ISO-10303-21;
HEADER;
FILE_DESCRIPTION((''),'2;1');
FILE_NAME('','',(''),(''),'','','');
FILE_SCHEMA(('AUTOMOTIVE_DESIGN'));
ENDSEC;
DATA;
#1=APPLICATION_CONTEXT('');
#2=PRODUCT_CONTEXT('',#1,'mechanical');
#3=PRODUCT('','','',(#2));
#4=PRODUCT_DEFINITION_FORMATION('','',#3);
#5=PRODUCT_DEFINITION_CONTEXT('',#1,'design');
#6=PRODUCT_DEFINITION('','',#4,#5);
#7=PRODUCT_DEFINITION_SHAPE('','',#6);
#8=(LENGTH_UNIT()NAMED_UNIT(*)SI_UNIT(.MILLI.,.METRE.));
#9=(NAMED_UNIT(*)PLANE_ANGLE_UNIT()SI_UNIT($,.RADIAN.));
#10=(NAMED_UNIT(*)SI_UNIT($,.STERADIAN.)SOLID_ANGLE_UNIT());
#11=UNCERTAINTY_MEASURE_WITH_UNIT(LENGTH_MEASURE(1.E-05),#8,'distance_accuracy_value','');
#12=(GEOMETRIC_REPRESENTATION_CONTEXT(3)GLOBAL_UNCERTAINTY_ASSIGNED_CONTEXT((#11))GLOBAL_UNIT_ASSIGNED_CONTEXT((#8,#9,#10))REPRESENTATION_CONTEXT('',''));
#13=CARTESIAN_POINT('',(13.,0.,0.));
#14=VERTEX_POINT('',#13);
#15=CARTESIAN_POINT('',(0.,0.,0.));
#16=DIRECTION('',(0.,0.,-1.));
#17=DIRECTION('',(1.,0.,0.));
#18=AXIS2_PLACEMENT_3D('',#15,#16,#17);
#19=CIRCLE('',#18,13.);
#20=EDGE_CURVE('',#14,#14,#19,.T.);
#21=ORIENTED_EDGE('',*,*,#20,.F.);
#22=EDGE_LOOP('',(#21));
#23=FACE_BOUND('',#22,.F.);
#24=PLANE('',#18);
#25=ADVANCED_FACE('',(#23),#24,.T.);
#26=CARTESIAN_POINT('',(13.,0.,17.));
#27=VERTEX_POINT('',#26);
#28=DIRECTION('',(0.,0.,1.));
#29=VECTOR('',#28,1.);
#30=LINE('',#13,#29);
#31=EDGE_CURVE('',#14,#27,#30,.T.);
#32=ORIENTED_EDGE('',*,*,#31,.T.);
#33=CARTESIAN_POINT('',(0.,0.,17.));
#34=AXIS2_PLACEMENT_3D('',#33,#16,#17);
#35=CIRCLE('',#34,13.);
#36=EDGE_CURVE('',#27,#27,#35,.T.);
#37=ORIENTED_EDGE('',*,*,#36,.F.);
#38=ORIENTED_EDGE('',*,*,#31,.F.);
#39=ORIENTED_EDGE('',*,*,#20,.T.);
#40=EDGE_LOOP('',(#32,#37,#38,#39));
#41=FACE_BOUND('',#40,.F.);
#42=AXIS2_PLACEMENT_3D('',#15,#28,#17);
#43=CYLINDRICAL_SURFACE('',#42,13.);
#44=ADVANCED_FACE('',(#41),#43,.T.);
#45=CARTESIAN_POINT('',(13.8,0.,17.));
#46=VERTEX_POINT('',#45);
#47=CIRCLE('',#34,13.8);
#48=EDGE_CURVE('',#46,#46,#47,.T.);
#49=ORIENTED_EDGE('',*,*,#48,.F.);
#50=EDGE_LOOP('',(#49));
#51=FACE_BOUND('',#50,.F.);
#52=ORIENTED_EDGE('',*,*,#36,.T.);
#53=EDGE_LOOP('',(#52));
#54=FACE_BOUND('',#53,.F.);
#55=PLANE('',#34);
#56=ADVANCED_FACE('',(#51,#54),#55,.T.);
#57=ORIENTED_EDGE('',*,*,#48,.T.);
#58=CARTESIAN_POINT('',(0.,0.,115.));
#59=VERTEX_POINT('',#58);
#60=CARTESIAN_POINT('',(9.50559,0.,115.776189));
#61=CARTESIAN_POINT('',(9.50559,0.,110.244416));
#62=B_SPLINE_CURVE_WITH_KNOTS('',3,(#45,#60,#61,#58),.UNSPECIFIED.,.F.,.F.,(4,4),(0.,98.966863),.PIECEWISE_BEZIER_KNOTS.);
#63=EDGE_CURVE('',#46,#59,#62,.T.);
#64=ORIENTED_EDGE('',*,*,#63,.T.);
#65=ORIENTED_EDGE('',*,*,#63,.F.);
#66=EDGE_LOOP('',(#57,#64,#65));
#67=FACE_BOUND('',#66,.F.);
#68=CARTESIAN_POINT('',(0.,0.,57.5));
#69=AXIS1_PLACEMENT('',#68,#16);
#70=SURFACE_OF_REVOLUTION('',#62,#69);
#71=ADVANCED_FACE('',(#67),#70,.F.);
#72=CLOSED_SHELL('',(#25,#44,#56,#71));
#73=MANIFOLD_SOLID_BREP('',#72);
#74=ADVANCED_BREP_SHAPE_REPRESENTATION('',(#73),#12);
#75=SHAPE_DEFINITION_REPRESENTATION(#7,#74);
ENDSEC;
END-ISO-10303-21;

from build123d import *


with BuildPart() as f1:
    # F0 (on Front) → F1 (revolve)
    with BuildSketch(Plane.XZ):
        with BuildLine():
            Line((0, 115), (0, 0))
            Line((0, 0), (13, 0))
            Line((13, 0), (13, 17))
            Line((13, 17), (13.8, 17))
            add(Edge.make_bspline(
                [(13.8, 17), (9.50559, 115.776189), (9.50559, 110.244416), (0, 115)],
                knots=[0, 0, 0, 0, 98.966863, 98.966863, 98.966863, 98.966863], degree=3))
        make_face()
    revolve(axis=Axis((0, 0, 57.5), (0, 0, -1)))


solid = f1.part
